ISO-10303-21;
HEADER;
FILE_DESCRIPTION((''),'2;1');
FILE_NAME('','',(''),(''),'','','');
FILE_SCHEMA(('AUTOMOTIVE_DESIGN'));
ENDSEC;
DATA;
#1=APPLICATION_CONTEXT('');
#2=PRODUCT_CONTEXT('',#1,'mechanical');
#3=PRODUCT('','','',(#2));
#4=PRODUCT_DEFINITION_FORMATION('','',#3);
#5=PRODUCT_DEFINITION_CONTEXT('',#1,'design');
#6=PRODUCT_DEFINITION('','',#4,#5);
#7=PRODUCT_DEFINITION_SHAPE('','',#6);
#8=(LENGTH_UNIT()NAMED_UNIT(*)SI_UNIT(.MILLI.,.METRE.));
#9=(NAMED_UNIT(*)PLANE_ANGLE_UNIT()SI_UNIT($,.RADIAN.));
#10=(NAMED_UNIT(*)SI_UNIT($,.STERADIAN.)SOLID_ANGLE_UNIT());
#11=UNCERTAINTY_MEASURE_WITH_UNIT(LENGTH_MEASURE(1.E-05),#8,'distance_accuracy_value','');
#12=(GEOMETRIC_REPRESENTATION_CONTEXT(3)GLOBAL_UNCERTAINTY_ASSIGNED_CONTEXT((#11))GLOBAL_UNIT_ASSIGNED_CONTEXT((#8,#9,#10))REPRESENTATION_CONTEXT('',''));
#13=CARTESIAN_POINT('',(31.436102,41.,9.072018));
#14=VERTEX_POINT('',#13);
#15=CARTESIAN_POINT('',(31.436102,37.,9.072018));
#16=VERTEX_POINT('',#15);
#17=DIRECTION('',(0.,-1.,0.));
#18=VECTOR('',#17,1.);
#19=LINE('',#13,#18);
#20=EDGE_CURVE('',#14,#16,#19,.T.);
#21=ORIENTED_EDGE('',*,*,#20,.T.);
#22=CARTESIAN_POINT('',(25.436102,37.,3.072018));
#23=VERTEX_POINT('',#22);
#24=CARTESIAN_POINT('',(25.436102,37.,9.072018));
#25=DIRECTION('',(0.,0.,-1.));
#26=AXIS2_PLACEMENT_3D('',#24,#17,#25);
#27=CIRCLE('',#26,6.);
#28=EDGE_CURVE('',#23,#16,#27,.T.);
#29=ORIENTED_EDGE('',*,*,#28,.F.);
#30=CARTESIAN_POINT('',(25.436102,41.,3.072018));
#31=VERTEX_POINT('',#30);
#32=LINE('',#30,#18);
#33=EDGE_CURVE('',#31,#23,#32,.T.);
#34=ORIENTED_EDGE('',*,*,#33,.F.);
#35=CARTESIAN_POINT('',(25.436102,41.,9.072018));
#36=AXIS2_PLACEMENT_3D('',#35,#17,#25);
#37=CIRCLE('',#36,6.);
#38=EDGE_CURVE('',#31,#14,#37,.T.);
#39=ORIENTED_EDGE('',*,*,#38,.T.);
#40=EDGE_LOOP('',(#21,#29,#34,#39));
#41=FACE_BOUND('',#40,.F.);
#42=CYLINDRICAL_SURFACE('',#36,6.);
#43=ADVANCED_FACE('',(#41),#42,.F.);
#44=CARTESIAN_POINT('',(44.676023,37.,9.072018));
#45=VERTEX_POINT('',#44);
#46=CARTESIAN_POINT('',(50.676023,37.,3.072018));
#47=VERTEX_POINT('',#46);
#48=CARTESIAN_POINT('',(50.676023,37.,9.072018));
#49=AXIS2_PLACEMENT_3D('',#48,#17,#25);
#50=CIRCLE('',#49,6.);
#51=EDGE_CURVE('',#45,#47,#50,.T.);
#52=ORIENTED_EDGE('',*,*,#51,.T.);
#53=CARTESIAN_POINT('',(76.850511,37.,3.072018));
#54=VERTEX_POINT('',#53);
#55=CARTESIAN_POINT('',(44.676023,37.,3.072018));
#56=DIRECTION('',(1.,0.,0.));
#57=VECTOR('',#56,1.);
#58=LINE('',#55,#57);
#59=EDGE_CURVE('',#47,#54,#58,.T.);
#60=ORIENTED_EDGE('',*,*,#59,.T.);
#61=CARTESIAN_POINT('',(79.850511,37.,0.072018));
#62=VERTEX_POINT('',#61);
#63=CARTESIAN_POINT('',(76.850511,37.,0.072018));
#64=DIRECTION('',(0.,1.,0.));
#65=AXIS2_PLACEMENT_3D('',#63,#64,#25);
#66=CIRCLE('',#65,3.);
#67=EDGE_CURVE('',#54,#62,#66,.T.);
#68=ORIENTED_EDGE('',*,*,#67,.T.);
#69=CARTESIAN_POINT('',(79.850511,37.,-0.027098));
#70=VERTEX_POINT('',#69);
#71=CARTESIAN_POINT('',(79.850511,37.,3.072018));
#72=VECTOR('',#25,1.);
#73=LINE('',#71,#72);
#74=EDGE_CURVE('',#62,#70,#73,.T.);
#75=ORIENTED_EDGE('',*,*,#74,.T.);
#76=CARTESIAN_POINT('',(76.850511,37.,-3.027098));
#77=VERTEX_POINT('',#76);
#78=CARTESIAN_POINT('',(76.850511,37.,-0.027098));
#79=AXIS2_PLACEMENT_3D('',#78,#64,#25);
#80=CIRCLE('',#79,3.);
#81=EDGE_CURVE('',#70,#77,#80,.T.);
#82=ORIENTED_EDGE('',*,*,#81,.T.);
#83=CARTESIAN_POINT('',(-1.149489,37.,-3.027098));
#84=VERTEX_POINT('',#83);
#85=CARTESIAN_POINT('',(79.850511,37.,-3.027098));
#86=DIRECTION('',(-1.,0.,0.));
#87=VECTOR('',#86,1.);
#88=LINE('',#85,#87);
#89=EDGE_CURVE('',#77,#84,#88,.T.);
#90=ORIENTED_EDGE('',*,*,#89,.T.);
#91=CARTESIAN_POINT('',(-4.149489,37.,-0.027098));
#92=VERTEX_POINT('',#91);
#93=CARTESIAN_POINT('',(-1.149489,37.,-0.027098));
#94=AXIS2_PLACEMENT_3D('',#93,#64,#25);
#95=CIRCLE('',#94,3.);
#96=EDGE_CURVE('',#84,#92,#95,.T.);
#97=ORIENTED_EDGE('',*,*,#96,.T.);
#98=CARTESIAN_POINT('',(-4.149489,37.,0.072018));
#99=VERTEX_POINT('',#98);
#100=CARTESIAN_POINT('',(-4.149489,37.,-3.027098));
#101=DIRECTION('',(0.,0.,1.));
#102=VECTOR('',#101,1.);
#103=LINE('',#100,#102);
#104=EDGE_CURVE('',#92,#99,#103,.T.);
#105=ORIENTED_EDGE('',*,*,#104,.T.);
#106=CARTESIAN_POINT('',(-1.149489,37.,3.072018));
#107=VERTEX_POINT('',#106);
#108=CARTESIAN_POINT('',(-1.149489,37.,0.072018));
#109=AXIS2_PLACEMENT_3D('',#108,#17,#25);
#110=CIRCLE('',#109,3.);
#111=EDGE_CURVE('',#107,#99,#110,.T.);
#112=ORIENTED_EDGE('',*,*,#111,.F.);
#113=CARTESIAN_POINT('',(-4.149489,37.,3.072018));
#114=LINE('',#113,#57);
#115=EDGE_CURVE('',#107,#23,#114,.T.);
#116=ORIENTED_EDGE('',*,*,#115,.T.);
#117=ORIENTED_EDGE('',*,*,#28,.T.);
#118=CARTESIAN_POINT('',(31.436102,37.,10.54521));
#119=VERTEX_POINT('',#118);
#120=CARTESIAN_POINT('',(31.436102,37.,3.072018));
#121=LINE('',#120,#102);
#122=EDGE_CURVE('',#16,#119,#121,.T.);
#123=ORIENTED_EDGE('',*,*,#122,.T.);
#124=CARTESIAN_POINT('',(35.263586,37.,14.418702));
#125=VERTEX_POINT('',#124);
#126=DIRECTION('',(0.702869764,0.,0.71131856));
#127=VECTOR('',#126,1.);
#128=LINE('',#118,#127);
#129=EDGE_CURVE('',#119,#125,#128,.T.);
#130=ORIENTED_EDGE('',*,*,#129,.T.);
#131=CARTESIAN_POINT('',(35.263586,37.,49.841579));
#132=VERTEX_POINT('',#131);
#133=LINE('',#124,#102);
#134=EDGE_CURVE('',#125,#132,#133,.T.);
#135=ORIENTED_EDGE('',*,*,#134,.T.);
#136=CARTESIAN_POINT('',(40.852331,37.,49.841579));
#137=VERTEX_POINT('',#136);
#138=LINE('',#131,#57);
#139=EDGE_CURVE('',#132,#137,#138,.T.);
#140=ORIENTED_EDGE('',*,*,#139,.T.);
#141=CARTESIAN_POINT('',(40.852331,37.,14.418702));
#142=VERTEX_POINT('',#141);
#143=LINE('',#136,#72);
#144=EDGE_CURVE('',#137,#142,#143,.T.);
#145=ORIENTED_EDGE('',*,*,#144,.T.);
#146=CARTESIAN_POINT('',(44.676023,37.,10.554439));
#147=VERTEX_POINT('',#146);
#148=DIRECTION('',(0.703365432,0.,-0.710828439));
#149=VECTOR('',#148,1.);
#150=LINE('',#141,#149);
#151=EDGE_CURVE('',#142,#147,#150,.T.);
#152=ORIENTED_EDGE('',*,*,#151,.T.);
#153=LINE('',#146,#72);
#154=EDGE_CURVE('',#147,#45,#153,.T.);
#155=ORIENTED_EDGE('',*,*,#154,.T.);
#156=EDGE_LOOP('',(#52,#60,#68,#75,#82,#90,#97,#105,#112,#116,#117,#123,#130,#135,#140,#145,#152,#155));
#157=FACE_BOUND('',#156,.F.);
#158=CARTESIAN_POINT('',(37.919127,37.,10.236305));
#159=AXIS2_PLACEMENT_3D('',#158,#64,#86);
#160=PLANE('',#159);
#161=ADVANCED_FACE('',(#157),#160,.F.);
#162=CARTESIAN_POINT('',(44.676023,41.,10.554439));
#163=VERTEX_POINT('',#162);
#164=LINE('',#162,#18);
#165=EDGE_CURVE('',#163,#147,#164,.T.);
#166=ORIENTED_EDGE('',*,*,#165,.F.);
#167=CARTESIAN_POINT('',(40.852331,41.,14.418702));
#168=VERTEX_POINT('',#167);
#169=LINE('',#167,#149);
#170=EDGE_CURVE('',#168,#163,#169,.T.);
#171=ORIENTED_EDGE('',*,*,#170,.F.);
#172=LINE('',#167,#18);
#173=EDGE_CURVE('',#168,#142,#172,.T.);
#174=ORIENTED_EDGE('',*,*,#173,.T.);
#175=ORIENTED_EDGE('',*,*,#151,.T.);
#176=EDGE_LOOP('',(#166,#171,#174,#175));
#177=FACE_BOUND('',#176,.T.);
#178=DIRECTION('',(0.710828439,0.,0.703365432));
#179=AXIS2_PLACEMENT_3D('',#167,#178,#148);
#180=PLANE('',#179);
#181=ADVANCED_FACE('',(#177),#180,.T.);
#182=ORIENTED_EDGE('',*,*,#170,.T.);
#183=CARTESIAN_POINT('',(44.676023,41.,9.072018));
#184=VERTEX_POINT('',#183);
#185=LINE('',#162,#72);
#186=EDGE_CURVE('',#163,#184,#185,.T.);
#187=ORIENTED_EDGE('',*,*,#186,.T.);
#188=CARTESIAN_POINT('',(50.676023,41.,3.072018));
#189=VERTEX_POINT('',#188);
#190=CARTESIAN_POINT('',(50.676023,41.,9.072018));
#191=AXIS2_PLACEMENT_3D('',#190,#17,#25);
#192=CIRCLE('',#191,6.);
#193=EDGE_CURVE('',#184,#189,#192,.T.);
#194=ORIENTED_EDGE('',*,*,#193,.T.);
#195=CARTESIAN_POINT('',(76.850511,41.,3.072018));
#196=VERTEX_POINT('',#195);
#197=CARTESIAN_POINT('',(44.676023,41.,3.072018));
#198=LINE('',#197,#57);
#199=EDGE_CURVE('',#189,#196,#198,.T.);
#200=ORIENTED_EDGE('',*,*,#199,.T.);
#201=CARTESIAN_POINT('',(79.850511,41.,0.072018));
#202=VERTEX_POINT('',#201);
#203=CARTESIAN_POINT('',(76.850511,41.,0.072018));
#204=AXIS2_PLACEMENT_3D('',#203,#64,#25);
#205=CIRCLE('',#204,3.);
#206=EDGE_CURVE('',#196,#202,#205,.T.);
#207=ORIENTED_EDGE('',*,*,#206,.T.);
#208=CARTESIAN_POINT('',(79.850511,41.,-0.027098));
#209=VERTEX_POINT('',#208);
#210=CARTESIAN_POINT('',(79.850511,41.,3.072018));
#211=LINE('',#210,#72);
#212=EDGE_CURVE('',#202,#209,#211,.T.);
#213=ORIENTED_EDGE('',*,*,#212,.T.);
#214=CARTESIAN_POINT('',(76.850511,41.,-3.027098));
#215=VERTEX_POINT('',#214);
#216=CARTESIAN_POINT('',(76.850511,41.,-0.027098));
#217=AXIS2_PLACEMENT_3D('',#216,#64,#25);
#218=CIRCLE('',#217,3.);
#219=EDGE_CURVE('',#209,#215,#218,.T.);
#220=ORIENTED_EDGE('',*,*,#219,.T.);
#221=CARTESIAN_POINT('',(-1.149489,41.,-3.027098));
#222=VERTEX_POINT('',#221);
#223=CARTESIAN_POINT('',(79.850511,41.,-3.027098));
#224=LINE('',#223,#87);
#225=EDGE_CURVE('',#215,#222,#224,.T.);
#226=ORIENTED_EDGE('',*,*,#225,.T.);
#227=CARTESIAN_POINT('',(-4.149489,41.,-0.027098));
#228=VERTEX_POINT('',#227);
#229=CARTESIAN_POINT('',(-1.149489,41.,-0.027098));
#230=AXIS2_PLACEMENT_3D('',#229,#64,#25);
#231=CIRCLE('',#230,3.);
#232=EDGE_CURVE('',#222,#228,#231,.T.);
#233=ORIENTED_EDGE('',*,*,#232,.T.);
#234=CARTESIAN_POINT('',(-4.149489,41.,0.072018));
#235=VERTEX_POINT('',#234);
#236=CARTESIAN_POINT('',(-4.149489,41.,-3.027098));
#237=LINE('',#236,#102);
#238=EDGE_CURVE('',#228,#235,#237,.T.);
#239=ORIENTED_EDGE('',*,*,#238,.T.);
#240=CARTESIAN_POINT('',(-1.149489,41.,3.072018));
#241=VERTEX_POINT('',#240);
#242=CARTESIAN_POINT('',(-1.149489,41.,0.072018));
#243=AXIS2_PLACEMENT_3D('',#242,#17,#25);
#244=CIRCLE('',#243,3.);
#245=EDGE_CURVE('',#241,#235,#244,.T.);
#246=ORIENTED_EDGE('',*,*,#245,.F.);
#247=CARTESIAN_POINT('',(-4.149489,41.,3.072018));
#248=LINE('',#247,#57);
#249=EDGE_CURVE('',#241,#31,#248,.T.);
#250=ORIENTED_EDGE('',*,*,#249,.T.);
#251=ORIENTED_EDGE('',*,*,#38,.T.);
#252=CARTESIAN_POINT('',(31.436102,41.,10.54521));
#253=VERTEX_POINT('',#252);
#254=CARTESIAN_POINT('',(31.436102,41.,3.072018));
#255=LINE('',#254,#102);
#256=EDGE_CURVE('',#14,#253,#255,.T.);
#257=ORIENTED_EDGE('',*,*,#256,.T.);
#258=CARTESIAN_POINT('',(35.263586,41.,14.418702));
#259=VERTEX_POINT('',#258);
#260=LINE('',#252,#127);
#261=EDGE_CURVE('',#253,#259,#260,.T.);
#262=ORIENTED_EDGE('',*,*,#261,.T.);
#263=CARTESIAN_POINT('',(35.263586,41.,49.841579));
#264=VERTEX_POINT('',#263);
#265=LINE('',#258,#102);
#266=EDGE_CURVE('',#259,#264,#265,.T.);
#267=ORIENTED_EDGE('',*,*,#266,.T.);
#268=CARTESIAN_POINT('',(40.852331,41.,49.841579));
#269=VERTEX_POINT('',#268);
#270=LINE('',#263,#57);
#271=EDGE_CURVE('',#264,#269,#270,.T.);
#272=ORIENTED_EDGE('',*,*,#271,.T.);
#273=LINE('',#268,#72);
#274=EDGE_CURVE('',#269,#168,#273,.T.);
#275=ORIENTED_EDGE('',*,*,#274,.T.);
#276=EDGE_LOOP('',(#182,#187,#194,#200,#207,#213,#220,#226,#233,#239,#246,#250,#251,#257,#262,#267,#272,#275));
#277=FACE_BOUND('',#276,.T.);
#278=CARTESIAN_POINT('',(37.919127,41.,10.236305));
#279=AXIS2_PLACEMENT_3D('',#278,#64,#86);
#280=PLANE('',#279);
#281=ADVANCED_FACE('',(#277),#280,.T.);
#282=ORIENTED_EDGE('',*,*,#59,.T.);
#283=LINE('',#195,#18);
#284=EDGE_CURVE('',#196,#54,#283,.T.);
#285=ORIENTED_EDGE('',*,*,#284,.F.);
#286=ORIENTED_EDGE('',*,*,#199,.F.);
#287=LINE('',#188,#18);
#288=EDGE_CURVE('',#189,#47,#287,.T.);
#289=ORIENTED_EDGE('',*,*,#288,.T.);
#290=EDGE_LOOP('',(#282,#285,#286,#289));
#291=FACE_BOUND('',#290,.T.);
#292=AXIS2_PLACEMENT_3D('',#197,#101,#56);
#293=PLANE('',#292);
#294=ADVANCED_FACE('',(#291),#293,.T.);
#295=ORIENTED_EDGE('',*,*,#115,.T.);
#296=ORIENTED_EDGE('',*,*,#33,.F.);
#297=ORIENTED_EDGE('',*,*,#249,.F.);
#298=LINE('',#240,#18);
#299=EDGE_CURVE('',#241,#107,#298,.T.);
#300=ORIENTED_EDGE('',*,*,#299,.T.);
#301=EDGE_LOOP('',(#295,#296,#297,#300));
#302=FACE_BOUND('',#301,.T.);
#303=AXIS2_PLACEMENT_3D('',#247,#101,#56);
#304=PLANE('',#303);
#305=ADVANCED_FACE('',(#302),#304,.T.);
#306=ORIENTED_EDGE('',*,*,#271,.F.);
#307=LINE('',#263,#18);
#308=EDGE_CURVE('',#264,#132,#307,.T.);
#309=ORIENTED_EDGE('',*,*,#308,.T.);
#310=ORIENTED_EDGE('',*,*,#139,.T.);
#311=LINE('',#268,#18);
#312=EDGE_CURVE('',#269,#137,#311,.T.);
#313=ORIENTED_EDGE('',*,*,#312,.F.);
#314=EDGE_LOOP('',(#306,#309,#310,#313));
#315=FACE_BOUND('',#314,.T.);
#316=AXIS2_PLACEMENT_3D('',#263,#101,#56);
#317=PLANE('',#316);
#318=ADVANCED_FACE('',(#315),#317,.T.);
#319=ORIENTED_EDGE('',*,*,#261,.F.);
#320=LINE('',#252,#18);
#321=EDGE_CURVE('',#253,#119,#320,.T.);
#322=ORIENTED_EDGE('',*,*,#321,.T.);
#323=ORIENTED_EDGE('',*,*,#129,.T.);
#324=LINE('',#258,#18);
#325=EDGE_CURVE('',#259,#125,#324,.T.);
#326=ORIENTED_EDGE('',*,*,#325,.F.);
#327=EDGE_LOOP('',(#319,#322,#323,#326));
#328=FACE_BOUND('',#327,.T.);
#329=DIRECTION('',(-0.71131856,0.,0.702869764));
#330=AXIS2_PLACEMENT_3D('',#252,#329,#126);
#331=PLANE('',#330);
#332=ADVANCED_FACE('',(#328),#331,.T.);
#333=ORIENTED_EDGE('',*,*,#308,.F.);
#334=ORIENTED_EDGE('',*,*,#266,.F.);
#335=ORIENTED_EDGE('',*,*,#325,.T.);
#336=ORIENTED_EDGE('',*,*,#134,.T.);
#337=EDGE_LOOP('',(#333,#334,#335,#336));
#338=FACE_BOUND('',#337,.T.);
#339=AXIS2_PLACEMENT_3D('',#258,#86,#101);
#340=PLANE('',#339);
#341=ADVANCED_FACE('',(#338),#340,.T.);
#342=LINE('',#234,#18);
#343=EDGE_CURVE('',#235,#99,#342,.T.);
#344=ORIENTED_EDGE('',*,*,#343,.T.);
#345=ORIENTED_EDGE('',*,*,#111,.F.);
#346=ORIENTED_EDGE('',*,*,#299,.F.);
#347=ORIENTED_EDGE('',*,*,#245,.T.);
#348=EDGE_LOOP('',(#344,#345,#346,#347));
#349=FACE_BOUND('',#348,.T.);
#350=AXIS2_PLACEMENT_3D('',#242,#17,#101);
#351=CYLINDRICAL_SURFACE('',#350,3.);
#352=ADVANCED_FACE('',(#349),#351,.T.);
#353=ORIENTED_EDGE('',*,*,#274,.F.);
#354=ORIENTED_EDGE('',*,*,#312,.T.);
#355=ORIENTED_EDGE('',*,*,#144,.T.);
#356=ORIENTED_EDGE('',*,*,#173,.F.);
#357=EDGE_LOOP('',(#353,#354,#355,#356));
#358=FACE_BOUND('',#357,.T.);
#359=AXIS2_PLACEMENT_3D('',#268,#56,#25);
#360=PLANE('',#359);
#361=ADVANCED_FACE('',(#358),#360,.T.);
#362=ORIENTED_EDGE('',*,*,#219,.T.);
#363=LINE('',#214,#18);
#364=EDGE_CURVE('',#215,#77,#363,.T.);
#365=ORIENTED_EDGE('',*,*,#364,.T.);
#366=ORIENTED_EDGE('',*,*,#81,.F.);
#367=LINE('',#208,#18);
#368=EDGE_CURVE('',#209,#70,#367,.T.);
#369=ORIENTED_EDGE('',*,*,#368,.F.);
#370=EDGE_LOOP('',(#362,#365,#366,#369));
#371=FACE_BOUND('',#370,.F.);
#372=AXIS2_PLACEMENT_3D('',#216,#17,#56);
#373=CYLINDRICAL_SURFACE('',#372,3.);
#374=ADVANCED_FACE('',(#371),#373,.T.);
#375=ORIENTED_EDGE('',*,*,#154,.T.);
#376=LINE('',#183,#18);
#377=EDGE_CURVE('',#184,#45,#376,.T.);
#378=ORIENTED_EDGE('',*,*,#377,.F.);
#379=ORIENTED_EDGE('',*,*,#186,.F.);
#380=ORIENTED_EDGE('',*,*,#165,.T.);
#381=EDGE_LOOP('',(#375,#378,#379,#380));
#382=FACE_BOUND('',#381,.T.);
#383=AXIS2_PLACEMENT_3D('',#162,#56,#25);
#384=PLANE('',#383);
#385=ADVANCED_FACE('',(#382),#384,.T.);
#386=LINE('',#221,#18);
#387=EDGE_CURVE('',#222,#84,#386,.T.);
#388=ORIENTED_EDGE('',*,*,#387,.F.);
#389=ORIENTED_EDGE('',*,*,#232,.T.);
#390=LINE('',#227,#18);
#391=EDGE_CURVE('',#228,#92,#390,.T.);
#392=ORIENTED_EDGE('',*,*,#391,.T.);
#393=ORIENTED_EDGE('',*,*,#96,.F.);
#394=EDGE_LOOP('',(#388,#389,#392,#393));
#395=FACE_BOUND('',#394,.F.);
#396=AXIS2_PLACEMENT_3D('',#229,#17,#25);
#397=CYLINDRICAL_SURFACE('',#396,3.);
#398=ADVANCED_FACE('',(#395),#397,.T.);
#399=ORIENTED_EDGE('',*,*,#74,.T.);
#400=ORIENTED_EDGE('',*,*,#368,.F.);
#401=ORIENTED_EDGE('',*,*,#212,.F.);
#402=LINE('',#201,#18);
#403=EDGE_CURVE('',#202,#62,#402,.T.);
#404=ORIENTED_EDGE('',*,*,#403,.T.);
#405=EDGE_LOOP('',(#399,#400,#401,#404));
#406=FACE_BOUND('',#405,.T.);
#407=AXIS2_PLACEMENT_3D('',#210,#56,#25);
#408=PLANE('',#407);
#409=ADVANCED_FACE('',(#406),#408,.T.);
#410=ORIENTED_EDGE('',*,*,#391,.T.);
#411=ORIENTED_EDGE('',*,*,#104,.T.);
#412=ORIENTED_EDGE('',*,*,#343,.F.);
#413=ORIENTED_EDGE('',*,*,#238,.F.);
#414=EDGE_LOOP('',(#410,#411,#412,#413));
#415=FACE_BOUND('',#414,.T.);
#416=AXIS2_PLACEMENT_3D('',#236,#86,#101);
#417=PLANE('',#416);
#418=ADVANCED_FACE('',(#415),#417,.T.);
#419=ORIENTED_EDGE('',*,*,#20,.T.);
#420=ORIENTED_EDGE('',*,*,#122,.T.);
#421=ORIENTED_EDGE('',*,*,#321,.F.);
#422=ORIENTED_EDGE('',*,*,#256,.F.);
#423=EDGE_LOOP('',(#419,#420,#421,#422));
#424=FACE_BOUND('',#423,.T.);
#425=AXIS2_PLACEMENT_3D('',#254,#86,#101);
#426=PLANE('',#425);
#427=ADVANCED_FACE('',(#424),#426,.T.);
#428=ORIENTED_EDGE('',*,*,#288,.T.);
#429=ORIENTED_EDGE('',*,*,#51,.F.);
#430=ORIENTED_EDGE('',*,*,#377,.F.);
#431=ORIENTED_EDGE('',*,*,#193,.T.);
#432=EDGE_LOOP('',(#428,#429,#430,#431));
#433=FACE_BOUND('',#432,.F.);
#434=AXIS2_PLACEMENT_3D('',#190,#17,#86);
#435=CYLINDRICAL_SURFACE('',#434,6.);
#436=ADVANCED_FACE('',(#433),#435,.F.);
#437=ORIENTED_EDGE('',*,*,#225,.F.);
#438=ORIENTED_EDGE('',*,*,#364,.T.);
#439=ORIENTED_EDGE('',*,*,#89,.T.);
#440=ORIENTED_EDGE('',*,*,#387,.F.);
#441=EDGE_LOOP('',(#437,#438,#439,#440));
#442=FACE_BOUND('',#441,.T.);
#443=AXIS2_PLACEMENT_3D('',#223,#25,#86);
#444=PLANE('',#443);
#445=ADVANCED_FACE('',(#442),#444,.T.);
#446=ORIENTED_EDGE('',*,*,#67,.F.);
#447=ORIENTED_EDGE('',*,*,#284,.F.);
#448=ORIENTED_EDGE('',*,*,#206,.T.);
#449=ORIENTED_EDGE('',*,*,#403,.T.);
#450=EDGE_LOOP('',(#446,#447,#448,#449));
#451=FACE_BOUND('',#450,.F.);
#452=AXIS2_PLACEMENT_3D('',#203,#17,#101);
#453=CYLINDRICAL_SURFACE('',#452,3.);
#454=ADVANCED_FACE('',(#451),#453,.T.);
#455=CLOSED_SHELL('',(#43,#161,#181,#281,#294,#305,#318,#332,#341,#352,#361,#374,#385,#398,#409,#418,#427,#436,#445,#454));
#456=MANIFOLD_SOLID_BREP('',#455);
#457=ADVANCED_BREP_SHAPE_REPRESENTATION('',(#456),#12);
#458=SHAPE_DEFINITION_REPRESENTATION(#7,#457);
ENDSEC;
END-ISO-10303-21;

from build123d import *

# Parameters (mm, degrees)
PAD104_DEPTH = 4
FILLET035_R  = 3
FILLET036_R  = 6


with BuildPart() as part:
    # Sketch108 → Pad104 (new body)
    with BuildSketch(Plane.XZ.offset(25)):
        Polygon((-4.149489, 3.072018), (31.436102, 3.072018), (31.436102, 10.54521), (35.263586, 14.418702), (35.263586, 49.841579), (40.852331, 49.841579), (40.852331, 14.418702), (44.676023, 10.554439), (44.676023, 3.072018), (79.850511, 3.072018), (79.850511, -3.027098), (-4.149489, -3.027098), align=None)
    extrude(amount=PAD104_DEPTH)

    # Fillet035
    fillet035_edges = [part.edges().sort_by_distance(p)[0] for p in [
        (79.850511, -27, 3.072018),
        (79.850511, -27, -3.027098),
        (-4.149489, -27, -3.027098),
        (-4.149489, -27, 3.072018),
    ]]
    fillet(fillet035_edges, radius=FILLET035_R)

    # Fillet036
    fillet036_edges = [part.edges().sort_by_distance(p)[0] for p in [
        (44.676023, -27, 3.072018),
        (31.436102, -27, 3.072018),
    ]]
    fillet(fillet036_edges, radius=FILLET036_R)


with BuildPart() as part_1:
    # Fillet036 placement: moved
    add(part.part.moved(Location((0, 66, 0))))


solid = part_1.part
